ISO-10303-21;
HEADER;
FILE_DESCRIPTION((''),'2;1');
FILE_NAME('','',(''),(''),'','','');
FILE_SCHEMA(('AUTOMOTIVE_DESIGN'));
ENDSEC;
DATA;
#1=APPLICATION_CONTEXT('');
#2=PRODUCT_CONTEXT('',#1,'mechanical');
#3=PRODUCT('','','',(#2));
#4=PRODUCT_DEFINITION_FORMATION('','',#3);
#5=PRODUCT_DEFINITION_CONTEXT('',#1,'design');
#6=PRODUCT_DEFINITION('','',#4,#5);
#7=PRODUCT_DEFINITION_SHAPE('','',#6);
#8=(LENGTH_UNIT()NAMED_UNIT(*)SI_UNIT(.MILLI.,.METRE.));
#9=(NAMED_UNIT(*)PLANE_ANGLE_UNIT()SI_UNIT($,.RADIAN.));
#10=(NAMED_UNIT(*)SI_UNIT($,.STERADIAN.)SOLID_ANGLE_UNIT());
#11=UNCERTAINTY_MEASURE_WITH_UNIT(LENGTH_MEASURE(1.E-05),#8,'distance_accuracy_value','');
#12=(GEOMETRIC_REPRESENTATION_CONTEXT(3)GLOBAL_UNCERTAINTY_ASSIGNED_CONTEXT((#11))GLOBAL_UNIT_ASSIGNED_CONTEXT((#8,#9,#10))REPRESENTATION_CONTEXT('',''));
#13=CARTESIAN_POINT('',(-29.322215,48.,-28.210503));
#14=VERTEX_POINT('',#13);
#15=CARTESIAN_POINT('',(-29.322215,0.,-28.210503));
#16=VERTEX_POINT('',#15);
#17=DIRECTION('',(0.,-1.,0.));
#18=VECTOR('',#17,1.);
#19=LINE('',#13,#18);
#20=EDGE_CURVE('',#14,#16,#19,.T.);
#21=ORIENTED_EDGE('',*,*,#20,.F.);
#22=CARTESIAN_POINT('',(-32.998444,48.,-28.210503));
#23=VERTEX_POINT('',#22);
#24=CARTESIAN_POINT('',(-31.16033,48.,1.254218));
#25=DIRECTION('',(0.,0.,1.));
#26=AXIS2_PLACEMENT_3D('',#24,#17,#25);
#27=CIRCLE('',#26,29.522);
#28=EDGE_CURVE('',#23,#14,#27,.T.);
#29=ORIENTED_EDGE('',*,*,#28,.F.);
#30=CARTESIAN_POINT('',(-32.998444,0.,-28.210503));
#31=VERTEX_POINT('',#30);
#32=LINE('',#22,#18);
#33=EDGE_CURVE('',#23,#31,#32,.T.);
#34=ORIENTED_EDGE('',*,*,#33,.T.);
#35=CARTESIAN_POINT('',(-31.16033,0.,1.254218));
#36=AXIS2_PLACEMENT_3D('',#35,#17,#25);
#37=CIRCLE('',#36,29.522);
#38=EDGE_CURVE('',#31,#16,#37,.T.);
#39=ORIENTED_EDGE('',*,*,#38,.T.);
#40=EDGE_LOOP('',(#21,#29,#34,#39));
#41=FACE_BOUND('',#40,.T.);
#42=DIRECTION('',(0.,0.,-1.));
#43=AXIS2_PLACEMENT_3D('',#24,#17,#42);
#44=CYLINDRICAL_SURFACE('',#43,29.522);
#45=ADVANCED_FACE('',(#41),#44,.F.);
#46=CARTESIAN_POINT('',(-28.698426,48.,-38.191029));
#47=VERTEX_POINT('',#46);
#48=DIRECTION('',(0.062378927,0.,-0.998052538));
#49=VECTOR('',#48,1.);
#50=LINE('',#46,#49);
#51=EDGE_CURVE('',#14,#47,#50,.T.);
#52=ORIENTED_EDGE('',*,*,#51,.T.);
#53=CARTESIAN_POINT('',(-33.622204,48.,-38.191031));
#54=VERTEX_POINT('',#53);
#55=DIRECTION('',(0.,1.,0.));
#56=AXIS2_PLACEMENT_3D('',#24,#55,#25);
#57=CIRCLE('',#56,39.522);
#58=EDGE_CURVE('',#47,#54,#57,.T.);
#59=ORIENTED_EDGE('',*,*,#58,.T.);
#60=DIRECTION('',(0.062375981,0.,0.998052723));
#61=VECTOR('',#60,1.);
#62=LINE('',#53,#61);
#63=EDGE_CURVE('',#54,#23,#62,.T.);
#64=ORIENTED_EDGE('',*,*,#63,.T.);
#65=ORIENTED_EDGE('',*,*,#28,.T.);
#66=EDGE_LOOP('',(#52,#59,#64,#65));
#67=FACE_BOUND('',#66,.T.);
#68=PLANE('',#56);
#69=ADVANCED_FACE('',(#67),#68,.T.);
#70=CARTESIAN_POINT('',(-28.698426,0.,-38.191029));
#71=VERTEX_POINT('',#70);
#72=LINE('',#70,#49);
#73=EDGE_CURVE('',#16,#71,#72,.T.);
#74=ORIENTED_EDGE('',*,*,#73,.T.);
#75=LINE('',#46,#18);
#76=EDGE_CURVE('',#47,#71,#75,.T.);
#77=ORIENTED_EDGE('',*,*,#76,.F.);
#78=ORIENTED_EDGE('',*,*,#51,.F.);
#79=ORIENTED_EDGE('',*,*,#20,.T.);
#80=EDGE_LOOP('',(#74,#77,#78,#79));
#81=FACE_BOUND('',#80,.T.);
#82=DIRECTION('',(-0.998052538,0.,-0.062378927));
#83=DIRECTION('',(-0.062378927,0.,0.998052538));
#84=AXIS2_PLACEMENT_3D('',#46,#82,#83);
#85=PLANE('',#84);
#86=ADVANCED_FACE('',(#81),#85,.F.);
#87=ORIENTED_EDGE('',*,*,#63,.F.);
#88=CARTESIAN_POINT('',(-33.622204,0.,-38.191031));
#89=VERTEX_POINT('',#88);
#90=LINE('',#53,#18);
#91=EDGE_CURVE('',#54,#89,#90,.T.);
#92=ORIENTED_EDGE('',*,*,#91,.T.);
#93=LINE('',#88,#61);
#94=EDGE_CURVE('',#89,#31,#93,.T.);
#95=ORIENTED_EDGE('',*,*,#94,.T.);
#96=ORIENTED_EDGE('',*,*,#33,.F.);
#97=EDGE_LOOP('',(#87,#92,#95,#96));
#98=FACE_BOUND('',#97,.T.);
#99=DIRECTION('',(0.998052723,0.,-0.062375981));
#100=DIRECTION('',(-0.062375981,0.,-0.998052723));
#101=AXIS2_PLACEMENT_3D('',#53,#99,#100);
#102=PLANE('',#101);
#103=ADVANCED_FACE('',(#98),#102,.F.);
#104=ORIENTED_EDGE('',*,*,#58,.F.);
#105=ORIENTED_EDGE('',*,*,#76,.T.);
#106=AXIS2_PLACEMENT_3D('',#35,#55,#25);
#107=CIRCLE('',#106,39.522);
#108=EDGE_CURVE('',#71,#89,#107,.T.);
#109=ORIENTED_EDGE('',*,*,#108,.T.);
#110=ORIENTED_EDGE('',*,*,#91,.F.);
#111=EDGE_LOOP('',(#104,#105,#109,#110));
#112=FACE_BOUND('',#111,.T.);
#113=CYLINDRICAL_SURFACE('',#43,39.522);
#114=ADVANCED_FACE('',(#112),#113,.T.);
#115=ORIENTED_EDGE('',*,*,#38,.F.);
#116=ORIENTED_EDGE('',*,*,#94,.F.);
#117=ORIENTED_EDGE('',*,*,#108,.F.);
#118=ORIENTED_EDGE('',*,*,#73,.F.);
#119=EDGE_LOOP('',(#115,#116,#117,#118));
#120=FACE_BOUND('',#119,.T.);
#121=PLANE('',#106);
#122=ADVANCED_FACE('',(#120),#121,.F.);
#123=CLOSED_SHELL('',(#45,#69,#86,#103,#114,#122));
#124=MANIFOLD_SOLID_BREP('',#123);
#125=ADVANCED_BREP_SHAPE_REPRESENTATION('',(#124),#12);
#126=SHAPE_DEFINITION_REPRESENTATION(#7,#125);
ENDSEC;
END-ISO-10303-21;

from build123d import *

# Parameters (mm, degrees)
BOSS_EXTRUDE1_DEPTH = 48


with BuildPart() as part:
    # Sketch1 → Boss-Extrude1 (new body)
    with BuildSketch(Plane(origin=(0, 0, 0), x_dir=(0.9999530758491465, 0, -0.009687419668383268), z_dir=(0, 1, 0))):
        with BuildLine():
            Line((-28.327106874, 38.467250491), (-29.047552411, 28.493236292))
            ThreePointArc((-29.047552411, 28.493236292), (-30.885025637, 28.568318579), (-32.723608623, 28.528849462))
            Line((-32.723608623, 28.528849462), (-33.250653615, 38.514951031))
            ThreePointArc((-33.250653615, 38.514951031), (-30.788136686, 38.567849194), (-28.327106874, 38.467250491))
        make_face()
    extrude(amount=BOSS_EXTRUDE1_DEPTH)


solid = part.part
